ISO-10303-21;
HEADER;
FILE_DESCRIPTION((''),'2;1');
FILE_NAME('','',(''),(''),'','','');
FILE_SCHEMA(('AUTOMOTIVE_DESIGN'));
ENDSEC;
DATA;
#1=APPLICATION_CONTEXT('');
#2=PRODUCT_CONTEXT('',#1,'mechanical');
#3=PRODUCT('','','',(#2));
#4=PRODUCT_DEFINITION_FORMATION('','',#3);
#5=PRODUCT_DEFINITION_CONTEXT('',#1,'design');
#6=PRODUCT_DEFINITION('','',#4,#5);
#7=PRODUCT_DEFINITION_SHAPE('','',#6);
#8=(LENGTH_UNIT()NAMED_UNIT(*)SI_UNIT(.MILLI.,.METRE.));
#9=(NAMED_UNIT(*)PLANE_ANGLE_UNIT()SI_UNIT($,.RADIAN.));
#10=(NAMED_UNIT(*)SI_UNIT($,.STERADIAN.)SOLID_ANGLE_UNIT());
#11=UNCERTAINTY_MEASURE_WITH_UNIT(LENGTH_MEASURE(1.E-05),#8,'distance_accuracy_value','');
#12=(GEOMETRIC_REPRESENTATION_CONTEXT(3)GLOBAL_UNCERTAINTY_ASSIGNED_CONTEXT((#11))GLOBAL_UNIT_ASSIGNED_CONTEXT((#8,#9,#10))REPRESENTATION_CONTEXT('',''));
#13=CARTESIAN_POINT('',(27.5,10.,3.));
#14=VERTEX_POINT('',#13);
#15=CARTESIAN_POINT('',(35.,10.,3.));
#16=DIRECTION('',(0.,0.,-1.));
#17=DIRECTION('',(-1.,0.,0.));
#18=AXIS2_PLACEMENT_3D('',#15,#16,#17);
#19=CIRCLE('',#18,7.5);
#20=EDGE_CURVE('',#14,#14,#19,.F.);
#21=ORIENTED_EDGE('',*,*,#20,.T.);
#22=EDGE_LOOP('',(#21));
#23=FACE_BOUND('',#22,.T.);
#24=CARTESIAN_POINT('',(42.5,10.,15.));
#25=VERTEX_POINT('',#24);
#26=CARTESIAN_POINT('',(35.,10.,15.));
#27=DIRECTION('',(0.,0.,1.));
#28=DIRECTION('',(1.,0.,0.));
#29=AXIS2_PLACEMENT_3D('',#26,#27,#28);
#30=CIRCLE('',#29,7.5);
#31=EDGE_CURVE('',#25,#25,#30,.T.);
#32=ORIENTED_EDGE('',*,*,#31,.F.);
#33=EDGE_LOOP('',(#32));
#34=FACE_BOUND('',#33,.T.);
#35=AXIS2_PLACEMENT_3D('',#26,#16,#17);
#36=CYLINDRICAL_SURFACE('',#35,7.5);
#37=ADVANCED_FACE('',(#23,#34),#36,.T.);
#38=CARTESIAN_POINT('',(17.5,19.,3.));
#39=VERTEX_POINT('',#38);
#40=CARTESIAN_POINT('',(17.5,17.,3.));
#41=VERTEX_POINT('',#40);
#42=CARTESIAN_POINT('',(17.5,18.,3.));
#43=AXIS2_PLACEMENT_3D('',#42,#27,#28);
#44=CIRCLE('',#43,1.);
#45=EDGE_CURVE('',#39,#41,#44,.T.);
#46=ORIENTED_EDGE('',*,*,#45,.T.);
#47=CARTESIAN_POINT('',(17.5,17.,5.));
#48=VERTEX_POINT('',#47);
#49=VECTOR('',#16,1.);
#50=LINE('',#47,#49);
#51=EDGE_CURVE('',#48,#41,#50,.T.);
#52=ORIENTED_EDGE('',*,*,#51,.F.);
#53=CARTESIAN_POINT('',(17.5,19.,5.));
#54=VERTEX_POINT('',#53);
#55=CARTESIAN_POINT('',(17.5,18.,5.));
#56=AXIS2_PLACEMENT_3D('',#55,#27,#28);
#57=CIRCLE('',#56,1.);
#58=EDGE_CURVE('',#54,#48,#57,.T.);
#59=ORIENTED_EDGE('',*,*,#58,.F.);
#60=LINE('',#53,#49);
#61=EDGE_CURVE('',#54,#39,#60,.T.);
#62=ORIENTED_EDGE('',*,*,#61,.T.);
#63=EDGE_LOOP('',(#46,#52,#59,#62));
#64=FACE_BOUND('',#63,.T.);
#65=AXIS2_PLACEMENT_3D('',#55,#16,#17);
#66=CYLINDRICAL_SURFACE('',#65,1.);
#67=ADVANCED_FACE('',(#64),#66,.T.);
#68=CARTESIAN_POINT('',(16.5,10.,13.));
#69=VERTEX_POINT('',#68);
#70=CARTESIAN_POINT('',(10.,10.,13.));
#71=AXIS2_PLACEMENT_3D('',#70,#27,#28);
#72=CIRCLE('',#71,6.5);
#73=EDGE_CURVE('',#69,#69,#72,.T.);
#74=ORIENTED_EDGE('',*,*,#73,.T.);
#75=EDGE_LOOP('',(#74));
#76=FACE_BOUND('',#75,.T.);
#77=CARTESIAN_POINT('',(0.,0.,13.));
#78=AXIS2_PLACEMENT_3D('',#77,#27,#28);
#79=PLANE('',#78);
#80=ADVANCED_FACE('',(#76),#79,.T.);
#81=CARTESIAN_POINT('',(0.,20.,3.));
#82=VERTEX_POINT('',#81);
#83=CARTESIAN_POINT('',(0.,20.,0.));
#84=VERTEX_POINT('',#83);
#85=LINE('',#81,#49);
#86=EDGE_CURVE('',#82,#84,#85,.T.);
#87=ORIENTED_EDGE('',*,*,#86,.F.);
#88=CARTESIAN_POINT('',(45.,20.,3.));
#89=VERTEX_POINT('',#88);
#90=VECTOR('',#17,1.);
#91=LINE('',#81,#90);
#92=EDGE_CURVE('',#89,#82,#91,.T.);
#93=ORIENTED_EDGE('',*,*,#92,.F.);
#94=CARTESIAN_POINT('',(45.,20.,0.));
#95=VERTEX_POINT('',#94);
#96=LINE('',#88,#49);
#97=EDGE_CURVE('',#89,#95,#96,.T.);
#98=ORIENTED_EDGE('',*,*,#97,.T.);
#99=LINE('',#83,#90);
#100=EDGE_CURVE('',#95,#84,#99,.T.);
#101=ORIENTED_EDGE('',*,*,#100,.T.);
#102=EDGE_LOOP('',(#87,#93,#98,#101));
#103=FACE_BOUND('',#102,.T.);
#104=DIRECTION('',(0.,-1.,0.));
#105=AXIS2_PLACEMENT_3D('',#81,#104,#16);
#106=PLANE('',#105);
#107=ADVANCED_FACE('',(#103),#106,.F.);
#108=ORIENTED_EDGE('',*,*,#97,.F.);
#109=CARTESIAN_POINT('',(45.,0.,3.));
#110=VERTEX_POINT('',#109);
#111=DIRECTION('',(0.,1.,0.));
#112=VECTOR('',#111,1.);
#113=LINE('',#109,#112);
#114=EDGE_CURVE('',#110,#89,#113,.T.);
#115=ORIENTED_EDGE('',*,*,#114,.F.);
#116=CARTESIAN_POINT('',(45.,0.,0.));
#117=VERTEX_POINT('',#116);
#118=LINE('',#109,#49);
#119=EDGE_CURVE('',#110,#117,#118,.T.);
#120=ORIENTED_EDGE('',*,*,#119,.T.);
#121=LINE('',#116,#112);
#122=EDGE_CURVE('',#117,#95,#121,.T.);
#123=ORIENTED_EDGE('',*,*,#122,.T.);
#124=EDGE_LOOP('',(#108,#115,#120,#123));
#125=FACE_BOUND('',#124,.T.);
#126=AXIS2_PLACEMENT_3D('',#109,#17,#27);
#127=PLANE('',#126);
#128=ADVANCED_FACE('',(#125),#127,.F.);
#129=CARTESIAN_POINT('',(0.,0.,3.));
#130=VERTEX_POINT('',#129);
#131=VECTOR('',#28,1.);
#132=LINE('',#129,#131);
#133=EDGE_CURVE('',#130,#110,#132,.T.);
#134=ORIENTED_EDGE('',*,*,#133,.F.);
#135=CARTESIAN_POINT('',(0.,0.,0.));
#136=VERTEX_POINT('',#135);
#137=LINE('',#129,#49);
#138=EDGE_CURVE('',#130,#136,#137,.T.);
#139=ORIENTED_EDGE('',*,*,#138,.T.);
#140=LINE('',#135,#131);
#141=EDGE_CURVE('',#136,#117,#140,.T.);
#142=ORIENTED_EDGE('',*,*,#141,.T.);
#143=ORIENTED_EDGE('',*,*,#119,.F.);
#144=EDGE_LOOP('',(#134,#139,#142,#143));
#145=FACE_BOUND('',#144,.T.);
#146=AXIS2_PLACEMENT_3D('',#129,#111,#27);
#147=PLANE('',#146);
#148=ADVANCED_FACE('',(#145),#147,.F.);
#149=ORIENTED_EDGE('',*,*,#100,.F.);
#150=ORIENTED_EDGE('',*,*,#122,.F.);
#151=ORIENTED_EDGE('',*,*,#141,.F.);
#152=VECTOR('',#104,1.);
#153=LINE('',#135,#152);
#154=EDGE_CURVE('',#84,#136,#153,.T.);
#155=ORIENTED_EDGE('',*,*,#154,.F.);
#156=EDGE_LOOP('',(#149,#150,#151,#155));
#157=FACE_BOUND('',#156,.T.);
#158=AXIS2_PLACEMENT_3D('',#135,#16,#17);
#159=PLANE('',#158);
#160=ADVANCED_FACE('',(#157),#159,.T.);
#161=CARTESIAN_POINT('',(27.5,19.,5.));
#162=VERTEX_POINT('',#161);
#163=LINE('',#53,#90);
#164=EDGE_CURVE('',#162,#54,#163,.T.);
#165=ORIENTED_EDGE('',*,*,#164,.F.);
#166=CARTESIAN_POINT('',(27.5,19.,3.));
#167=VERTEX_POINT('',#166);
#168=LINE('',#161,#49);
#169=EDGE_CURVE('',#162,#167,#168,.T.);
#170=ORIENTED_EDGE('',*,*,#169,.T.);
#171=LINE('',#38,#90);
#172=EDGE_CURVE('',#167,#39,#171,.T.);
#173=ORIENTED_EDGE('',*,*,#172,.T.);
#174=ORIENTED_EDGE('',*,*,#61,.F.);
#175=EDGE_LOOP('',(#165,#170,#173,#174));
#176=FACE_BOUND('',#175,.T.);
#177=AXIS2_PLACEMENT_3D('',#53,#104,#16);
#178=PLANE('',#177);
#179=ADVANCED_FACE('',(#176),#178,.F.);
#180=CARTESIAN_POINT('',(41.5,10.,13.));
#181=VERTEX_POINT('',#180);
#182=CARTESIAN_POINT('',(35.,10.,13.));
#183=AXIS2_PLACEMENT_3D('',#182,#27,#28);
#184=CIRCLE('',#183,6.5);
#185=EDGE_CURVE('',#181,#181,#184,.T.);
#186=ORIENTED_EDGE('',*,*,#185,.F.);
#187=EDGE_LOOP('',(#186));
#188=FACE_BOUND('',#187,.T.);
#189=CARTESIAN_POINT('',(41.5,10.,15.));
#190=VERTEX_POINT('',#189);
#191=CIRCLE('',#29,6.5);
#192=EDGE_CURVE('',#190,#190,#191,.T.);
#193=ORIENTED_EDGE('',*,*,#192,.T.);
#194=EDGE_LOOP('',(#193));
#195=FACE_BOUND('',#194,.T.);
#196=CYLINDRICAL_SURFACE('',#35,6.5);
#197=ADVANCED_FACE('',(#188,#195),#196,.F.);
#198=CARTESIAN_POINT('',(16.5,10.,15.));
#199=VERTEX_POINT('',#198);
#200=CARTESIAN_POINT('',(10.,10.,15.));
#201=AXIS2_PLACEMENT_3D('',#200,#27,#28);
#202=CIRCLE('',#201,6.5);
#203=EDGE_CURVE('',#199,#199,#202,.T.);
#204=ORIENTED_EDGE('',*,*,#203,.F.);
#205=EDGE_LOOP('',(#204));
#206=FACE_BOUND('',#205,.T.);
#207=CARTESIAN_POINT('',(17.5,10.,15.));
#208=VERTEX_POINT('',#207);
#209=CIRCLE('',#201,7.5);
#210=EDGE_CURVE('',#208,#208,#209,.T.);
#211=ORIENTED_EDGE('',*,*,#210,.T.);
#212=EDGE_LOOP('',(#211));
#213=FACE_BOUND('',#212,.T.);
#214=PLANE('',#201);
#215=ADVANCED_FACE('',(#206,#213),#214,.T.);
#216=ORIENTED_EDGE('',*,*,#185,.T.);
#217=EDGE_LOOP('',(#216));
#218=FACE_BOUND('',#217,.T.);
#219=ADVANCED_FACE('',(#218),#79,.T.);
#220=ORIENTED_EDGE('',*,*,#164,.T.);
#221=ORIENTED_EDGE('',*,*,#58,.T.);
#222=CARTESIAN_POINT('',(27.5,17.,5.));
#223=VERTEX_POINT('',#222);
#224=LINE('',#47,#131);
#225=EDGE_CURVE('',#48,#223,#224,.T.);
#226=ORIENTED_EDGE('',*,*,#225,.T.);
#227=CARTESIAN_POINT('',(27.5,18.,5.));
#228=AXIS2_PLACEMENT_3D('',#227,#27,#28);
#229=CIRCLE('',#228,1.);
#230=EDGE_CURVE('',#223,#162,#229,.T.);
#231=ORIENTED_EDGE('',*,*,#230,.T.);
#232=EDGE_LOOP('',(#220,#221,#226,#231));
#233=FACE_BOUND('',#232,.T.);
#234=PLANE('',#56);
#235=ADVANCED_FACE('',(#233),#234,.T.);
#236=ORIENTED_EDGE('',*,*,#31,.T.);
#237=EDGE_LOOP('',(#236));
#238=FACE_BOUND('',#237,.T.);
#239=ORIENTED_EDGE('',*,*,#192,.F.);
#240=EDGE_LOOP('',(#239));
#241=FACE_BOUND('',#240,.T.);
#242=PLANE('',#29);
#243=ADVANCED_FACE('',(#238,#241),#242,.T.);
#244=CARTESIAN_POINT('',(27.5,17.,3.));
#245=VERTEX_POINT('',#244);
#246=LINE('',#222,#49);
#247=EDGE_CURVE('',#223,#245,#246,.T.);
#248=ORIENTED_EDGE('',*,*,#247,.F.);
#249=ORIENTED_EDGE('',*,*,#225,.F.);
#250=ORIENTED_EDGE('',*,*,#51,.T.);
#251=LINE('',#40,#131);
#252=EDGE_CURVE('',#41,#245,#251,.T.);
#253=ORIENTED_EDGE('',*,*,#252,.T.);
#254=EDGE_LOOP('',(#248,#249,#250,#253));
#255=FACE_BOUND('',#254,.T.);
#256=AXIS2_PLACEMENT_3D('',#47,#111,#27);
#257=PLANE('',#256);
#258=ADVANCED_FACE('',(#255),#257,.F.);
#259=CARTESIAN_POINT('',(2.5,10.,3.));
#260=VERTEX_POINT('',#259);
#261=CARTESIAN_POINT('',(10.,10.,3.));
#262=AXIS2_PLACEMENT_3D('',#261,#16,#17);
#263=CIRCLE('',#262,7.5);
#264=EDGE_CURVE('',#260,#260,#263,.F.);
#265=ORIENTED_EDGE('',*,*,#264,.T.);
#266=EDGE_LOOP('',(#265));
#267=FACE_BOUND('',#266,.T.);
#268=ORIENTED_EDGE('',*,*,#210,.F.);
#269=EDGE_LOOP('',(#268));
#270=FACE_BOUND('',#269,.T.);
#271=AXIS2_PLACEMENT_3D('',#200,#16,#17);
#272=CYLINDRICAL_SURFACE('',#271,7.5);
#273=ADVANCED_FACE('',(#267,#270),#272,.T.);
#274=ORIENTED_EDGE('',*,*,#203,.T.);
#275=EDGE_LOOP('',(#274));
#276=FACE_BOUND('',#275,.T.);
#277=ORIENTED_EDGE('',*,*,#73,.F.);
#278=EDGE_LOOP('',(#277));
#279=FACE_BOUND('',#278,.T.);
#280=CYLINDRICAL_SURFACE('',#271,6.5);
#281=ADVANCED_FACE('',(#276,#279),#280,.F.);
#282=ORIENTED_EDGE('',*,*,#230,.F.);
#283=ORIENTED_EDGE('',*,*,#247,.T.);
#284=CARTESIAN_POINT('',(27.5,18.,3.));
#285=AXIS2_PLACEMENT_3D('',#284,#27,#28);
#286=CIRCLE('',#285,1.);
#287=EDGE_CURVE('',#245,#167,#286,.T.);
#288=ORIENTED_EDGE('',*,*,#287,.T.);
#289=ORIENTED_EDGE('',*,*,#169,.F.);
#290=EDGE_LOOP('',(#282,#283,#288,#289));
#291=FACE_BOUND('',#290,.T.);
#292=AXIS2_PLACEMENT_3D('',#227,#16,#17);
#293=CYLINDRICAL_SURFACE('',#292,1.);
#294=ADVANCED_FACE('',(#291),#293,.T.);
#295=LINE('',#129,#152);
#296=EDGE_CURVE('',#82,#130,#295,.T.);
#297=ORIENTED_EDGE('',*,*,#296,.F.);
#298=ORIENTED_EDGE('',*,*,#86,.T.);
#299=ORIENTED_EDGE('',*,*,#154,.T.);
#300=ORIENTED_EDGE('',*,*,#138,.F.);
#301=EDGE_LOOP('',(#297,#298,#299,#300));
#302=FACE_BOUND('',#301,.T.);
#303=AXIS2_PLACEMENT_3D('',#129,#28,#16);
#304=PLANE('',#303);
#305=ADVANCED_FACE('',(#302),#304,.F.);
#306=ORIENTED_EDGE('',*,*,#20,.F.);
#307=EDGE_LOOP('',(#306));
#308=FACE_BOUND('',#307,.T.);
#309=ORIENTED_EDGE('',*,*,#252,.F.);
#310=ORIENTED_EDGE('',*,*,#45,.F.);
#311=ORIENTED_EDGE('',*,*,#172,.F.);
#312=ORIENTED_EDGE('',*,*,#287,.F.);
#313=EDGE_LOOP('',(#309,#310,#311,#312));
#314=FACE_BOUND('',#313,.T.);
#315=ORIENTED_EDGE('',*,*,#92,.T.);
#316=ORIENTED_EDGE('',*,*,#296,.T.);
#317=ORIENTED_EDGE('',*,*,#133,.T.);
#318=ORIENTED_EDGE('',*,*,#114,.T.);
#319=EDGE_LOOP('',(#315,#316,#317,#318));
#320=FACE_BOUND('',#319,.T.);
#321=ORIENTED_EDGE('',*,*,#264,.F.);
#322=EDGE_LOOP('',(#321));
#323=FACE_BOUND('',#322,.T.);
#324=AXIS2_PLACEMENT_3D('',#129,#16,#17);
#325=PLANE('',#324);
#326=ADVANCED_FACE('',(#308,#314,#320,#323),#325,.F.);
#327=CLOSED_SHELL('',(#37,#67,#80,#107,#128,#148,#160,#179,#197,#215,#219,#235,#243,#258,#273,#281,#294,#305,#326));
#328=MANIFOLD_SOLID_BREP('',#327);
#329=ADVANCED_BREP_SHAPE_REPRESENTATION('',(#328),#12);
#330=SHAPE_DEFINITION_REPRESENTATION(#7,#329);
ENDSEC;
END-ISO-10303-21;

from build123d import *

# Parameters (mm, degrees)
SKETCH1_W           = 45
SKETCH1_H           = 20
BOSS_EXTRUDE1_DEPTH = 3
SKETCH2_R           = 7.5
SKETCH2_R_2         = 6.5
BOSS_EXTRUDE2_DEPTH = 12
SKETCH2_2_R         = 6.5
BOSS_EXTRUDE3_DEPTH = 10
BOSS_EXTRUDE4_DEPTH = 2


with BuildPart() as part:
    # Sketch1 → Boss-Extrude1 (new body)
    with BuildSketch(Plane.XY):
        with Locations((22.5, 10)):
            Rectangle(SKETCH1_W, SKETCH1_H)
    extrude(amount=BOSS_EXTRUDE1_DEPTH)

    # Sketch2 → Boss-Extrude2 (add)
    # profile 1 of 2: a face of its own
    with BuildSketch(Plane.XY.offset(3)):
        with Locations((10, 10)):
            Circle(SKETCH2_R)
        with Locations((10, 10)):
            Circle(SKETCH2_R_2, mode=Mode.SUBTRACT)
    # profile 2 of 2: a face of its own
    with BuildSketch(Plane.XY.offset(3)):
        with Locations((35, 10)):
            Circle(SKETCH2_R)
        with Locations((35, 10)):
            Circle(SKETCH2_R_2, mode=Mode.SUBTRACT)
    extrude(amount=BOSS_EXTRUDE2_DEPTH)

    # Sketch2<2> → Boss-Extrude3 (add)
    with BuildSketch(Plane.XY.offset(3)):
        with Locations((10, 10)):
            Circle(SKETCH2_2_R)
        with Locations((35, 10)):
            Circle(SKETCH2_2_R)
    extrude(amount=BOSS_EXTRUDE3_DEPTH)

    # Sketch3 → Boss-Extrude4 (add)
    with BuildSketch(Plane.XY.offset(3)):
        with BuildLine():
            Line((17.5, 19), (27.5, 19))
            ThreePointArc((27.5, 19), (28.5, 18), (27.5, 17))
            Line((27.5, 17), (17.5, 17))
            ThreePointArc((17.5, 17), (16.5, 18), (17.5, 19))
        make_face()
    extrude(amount=BOSS_EXTRUDE4_DEPTH)


solid = part.part
